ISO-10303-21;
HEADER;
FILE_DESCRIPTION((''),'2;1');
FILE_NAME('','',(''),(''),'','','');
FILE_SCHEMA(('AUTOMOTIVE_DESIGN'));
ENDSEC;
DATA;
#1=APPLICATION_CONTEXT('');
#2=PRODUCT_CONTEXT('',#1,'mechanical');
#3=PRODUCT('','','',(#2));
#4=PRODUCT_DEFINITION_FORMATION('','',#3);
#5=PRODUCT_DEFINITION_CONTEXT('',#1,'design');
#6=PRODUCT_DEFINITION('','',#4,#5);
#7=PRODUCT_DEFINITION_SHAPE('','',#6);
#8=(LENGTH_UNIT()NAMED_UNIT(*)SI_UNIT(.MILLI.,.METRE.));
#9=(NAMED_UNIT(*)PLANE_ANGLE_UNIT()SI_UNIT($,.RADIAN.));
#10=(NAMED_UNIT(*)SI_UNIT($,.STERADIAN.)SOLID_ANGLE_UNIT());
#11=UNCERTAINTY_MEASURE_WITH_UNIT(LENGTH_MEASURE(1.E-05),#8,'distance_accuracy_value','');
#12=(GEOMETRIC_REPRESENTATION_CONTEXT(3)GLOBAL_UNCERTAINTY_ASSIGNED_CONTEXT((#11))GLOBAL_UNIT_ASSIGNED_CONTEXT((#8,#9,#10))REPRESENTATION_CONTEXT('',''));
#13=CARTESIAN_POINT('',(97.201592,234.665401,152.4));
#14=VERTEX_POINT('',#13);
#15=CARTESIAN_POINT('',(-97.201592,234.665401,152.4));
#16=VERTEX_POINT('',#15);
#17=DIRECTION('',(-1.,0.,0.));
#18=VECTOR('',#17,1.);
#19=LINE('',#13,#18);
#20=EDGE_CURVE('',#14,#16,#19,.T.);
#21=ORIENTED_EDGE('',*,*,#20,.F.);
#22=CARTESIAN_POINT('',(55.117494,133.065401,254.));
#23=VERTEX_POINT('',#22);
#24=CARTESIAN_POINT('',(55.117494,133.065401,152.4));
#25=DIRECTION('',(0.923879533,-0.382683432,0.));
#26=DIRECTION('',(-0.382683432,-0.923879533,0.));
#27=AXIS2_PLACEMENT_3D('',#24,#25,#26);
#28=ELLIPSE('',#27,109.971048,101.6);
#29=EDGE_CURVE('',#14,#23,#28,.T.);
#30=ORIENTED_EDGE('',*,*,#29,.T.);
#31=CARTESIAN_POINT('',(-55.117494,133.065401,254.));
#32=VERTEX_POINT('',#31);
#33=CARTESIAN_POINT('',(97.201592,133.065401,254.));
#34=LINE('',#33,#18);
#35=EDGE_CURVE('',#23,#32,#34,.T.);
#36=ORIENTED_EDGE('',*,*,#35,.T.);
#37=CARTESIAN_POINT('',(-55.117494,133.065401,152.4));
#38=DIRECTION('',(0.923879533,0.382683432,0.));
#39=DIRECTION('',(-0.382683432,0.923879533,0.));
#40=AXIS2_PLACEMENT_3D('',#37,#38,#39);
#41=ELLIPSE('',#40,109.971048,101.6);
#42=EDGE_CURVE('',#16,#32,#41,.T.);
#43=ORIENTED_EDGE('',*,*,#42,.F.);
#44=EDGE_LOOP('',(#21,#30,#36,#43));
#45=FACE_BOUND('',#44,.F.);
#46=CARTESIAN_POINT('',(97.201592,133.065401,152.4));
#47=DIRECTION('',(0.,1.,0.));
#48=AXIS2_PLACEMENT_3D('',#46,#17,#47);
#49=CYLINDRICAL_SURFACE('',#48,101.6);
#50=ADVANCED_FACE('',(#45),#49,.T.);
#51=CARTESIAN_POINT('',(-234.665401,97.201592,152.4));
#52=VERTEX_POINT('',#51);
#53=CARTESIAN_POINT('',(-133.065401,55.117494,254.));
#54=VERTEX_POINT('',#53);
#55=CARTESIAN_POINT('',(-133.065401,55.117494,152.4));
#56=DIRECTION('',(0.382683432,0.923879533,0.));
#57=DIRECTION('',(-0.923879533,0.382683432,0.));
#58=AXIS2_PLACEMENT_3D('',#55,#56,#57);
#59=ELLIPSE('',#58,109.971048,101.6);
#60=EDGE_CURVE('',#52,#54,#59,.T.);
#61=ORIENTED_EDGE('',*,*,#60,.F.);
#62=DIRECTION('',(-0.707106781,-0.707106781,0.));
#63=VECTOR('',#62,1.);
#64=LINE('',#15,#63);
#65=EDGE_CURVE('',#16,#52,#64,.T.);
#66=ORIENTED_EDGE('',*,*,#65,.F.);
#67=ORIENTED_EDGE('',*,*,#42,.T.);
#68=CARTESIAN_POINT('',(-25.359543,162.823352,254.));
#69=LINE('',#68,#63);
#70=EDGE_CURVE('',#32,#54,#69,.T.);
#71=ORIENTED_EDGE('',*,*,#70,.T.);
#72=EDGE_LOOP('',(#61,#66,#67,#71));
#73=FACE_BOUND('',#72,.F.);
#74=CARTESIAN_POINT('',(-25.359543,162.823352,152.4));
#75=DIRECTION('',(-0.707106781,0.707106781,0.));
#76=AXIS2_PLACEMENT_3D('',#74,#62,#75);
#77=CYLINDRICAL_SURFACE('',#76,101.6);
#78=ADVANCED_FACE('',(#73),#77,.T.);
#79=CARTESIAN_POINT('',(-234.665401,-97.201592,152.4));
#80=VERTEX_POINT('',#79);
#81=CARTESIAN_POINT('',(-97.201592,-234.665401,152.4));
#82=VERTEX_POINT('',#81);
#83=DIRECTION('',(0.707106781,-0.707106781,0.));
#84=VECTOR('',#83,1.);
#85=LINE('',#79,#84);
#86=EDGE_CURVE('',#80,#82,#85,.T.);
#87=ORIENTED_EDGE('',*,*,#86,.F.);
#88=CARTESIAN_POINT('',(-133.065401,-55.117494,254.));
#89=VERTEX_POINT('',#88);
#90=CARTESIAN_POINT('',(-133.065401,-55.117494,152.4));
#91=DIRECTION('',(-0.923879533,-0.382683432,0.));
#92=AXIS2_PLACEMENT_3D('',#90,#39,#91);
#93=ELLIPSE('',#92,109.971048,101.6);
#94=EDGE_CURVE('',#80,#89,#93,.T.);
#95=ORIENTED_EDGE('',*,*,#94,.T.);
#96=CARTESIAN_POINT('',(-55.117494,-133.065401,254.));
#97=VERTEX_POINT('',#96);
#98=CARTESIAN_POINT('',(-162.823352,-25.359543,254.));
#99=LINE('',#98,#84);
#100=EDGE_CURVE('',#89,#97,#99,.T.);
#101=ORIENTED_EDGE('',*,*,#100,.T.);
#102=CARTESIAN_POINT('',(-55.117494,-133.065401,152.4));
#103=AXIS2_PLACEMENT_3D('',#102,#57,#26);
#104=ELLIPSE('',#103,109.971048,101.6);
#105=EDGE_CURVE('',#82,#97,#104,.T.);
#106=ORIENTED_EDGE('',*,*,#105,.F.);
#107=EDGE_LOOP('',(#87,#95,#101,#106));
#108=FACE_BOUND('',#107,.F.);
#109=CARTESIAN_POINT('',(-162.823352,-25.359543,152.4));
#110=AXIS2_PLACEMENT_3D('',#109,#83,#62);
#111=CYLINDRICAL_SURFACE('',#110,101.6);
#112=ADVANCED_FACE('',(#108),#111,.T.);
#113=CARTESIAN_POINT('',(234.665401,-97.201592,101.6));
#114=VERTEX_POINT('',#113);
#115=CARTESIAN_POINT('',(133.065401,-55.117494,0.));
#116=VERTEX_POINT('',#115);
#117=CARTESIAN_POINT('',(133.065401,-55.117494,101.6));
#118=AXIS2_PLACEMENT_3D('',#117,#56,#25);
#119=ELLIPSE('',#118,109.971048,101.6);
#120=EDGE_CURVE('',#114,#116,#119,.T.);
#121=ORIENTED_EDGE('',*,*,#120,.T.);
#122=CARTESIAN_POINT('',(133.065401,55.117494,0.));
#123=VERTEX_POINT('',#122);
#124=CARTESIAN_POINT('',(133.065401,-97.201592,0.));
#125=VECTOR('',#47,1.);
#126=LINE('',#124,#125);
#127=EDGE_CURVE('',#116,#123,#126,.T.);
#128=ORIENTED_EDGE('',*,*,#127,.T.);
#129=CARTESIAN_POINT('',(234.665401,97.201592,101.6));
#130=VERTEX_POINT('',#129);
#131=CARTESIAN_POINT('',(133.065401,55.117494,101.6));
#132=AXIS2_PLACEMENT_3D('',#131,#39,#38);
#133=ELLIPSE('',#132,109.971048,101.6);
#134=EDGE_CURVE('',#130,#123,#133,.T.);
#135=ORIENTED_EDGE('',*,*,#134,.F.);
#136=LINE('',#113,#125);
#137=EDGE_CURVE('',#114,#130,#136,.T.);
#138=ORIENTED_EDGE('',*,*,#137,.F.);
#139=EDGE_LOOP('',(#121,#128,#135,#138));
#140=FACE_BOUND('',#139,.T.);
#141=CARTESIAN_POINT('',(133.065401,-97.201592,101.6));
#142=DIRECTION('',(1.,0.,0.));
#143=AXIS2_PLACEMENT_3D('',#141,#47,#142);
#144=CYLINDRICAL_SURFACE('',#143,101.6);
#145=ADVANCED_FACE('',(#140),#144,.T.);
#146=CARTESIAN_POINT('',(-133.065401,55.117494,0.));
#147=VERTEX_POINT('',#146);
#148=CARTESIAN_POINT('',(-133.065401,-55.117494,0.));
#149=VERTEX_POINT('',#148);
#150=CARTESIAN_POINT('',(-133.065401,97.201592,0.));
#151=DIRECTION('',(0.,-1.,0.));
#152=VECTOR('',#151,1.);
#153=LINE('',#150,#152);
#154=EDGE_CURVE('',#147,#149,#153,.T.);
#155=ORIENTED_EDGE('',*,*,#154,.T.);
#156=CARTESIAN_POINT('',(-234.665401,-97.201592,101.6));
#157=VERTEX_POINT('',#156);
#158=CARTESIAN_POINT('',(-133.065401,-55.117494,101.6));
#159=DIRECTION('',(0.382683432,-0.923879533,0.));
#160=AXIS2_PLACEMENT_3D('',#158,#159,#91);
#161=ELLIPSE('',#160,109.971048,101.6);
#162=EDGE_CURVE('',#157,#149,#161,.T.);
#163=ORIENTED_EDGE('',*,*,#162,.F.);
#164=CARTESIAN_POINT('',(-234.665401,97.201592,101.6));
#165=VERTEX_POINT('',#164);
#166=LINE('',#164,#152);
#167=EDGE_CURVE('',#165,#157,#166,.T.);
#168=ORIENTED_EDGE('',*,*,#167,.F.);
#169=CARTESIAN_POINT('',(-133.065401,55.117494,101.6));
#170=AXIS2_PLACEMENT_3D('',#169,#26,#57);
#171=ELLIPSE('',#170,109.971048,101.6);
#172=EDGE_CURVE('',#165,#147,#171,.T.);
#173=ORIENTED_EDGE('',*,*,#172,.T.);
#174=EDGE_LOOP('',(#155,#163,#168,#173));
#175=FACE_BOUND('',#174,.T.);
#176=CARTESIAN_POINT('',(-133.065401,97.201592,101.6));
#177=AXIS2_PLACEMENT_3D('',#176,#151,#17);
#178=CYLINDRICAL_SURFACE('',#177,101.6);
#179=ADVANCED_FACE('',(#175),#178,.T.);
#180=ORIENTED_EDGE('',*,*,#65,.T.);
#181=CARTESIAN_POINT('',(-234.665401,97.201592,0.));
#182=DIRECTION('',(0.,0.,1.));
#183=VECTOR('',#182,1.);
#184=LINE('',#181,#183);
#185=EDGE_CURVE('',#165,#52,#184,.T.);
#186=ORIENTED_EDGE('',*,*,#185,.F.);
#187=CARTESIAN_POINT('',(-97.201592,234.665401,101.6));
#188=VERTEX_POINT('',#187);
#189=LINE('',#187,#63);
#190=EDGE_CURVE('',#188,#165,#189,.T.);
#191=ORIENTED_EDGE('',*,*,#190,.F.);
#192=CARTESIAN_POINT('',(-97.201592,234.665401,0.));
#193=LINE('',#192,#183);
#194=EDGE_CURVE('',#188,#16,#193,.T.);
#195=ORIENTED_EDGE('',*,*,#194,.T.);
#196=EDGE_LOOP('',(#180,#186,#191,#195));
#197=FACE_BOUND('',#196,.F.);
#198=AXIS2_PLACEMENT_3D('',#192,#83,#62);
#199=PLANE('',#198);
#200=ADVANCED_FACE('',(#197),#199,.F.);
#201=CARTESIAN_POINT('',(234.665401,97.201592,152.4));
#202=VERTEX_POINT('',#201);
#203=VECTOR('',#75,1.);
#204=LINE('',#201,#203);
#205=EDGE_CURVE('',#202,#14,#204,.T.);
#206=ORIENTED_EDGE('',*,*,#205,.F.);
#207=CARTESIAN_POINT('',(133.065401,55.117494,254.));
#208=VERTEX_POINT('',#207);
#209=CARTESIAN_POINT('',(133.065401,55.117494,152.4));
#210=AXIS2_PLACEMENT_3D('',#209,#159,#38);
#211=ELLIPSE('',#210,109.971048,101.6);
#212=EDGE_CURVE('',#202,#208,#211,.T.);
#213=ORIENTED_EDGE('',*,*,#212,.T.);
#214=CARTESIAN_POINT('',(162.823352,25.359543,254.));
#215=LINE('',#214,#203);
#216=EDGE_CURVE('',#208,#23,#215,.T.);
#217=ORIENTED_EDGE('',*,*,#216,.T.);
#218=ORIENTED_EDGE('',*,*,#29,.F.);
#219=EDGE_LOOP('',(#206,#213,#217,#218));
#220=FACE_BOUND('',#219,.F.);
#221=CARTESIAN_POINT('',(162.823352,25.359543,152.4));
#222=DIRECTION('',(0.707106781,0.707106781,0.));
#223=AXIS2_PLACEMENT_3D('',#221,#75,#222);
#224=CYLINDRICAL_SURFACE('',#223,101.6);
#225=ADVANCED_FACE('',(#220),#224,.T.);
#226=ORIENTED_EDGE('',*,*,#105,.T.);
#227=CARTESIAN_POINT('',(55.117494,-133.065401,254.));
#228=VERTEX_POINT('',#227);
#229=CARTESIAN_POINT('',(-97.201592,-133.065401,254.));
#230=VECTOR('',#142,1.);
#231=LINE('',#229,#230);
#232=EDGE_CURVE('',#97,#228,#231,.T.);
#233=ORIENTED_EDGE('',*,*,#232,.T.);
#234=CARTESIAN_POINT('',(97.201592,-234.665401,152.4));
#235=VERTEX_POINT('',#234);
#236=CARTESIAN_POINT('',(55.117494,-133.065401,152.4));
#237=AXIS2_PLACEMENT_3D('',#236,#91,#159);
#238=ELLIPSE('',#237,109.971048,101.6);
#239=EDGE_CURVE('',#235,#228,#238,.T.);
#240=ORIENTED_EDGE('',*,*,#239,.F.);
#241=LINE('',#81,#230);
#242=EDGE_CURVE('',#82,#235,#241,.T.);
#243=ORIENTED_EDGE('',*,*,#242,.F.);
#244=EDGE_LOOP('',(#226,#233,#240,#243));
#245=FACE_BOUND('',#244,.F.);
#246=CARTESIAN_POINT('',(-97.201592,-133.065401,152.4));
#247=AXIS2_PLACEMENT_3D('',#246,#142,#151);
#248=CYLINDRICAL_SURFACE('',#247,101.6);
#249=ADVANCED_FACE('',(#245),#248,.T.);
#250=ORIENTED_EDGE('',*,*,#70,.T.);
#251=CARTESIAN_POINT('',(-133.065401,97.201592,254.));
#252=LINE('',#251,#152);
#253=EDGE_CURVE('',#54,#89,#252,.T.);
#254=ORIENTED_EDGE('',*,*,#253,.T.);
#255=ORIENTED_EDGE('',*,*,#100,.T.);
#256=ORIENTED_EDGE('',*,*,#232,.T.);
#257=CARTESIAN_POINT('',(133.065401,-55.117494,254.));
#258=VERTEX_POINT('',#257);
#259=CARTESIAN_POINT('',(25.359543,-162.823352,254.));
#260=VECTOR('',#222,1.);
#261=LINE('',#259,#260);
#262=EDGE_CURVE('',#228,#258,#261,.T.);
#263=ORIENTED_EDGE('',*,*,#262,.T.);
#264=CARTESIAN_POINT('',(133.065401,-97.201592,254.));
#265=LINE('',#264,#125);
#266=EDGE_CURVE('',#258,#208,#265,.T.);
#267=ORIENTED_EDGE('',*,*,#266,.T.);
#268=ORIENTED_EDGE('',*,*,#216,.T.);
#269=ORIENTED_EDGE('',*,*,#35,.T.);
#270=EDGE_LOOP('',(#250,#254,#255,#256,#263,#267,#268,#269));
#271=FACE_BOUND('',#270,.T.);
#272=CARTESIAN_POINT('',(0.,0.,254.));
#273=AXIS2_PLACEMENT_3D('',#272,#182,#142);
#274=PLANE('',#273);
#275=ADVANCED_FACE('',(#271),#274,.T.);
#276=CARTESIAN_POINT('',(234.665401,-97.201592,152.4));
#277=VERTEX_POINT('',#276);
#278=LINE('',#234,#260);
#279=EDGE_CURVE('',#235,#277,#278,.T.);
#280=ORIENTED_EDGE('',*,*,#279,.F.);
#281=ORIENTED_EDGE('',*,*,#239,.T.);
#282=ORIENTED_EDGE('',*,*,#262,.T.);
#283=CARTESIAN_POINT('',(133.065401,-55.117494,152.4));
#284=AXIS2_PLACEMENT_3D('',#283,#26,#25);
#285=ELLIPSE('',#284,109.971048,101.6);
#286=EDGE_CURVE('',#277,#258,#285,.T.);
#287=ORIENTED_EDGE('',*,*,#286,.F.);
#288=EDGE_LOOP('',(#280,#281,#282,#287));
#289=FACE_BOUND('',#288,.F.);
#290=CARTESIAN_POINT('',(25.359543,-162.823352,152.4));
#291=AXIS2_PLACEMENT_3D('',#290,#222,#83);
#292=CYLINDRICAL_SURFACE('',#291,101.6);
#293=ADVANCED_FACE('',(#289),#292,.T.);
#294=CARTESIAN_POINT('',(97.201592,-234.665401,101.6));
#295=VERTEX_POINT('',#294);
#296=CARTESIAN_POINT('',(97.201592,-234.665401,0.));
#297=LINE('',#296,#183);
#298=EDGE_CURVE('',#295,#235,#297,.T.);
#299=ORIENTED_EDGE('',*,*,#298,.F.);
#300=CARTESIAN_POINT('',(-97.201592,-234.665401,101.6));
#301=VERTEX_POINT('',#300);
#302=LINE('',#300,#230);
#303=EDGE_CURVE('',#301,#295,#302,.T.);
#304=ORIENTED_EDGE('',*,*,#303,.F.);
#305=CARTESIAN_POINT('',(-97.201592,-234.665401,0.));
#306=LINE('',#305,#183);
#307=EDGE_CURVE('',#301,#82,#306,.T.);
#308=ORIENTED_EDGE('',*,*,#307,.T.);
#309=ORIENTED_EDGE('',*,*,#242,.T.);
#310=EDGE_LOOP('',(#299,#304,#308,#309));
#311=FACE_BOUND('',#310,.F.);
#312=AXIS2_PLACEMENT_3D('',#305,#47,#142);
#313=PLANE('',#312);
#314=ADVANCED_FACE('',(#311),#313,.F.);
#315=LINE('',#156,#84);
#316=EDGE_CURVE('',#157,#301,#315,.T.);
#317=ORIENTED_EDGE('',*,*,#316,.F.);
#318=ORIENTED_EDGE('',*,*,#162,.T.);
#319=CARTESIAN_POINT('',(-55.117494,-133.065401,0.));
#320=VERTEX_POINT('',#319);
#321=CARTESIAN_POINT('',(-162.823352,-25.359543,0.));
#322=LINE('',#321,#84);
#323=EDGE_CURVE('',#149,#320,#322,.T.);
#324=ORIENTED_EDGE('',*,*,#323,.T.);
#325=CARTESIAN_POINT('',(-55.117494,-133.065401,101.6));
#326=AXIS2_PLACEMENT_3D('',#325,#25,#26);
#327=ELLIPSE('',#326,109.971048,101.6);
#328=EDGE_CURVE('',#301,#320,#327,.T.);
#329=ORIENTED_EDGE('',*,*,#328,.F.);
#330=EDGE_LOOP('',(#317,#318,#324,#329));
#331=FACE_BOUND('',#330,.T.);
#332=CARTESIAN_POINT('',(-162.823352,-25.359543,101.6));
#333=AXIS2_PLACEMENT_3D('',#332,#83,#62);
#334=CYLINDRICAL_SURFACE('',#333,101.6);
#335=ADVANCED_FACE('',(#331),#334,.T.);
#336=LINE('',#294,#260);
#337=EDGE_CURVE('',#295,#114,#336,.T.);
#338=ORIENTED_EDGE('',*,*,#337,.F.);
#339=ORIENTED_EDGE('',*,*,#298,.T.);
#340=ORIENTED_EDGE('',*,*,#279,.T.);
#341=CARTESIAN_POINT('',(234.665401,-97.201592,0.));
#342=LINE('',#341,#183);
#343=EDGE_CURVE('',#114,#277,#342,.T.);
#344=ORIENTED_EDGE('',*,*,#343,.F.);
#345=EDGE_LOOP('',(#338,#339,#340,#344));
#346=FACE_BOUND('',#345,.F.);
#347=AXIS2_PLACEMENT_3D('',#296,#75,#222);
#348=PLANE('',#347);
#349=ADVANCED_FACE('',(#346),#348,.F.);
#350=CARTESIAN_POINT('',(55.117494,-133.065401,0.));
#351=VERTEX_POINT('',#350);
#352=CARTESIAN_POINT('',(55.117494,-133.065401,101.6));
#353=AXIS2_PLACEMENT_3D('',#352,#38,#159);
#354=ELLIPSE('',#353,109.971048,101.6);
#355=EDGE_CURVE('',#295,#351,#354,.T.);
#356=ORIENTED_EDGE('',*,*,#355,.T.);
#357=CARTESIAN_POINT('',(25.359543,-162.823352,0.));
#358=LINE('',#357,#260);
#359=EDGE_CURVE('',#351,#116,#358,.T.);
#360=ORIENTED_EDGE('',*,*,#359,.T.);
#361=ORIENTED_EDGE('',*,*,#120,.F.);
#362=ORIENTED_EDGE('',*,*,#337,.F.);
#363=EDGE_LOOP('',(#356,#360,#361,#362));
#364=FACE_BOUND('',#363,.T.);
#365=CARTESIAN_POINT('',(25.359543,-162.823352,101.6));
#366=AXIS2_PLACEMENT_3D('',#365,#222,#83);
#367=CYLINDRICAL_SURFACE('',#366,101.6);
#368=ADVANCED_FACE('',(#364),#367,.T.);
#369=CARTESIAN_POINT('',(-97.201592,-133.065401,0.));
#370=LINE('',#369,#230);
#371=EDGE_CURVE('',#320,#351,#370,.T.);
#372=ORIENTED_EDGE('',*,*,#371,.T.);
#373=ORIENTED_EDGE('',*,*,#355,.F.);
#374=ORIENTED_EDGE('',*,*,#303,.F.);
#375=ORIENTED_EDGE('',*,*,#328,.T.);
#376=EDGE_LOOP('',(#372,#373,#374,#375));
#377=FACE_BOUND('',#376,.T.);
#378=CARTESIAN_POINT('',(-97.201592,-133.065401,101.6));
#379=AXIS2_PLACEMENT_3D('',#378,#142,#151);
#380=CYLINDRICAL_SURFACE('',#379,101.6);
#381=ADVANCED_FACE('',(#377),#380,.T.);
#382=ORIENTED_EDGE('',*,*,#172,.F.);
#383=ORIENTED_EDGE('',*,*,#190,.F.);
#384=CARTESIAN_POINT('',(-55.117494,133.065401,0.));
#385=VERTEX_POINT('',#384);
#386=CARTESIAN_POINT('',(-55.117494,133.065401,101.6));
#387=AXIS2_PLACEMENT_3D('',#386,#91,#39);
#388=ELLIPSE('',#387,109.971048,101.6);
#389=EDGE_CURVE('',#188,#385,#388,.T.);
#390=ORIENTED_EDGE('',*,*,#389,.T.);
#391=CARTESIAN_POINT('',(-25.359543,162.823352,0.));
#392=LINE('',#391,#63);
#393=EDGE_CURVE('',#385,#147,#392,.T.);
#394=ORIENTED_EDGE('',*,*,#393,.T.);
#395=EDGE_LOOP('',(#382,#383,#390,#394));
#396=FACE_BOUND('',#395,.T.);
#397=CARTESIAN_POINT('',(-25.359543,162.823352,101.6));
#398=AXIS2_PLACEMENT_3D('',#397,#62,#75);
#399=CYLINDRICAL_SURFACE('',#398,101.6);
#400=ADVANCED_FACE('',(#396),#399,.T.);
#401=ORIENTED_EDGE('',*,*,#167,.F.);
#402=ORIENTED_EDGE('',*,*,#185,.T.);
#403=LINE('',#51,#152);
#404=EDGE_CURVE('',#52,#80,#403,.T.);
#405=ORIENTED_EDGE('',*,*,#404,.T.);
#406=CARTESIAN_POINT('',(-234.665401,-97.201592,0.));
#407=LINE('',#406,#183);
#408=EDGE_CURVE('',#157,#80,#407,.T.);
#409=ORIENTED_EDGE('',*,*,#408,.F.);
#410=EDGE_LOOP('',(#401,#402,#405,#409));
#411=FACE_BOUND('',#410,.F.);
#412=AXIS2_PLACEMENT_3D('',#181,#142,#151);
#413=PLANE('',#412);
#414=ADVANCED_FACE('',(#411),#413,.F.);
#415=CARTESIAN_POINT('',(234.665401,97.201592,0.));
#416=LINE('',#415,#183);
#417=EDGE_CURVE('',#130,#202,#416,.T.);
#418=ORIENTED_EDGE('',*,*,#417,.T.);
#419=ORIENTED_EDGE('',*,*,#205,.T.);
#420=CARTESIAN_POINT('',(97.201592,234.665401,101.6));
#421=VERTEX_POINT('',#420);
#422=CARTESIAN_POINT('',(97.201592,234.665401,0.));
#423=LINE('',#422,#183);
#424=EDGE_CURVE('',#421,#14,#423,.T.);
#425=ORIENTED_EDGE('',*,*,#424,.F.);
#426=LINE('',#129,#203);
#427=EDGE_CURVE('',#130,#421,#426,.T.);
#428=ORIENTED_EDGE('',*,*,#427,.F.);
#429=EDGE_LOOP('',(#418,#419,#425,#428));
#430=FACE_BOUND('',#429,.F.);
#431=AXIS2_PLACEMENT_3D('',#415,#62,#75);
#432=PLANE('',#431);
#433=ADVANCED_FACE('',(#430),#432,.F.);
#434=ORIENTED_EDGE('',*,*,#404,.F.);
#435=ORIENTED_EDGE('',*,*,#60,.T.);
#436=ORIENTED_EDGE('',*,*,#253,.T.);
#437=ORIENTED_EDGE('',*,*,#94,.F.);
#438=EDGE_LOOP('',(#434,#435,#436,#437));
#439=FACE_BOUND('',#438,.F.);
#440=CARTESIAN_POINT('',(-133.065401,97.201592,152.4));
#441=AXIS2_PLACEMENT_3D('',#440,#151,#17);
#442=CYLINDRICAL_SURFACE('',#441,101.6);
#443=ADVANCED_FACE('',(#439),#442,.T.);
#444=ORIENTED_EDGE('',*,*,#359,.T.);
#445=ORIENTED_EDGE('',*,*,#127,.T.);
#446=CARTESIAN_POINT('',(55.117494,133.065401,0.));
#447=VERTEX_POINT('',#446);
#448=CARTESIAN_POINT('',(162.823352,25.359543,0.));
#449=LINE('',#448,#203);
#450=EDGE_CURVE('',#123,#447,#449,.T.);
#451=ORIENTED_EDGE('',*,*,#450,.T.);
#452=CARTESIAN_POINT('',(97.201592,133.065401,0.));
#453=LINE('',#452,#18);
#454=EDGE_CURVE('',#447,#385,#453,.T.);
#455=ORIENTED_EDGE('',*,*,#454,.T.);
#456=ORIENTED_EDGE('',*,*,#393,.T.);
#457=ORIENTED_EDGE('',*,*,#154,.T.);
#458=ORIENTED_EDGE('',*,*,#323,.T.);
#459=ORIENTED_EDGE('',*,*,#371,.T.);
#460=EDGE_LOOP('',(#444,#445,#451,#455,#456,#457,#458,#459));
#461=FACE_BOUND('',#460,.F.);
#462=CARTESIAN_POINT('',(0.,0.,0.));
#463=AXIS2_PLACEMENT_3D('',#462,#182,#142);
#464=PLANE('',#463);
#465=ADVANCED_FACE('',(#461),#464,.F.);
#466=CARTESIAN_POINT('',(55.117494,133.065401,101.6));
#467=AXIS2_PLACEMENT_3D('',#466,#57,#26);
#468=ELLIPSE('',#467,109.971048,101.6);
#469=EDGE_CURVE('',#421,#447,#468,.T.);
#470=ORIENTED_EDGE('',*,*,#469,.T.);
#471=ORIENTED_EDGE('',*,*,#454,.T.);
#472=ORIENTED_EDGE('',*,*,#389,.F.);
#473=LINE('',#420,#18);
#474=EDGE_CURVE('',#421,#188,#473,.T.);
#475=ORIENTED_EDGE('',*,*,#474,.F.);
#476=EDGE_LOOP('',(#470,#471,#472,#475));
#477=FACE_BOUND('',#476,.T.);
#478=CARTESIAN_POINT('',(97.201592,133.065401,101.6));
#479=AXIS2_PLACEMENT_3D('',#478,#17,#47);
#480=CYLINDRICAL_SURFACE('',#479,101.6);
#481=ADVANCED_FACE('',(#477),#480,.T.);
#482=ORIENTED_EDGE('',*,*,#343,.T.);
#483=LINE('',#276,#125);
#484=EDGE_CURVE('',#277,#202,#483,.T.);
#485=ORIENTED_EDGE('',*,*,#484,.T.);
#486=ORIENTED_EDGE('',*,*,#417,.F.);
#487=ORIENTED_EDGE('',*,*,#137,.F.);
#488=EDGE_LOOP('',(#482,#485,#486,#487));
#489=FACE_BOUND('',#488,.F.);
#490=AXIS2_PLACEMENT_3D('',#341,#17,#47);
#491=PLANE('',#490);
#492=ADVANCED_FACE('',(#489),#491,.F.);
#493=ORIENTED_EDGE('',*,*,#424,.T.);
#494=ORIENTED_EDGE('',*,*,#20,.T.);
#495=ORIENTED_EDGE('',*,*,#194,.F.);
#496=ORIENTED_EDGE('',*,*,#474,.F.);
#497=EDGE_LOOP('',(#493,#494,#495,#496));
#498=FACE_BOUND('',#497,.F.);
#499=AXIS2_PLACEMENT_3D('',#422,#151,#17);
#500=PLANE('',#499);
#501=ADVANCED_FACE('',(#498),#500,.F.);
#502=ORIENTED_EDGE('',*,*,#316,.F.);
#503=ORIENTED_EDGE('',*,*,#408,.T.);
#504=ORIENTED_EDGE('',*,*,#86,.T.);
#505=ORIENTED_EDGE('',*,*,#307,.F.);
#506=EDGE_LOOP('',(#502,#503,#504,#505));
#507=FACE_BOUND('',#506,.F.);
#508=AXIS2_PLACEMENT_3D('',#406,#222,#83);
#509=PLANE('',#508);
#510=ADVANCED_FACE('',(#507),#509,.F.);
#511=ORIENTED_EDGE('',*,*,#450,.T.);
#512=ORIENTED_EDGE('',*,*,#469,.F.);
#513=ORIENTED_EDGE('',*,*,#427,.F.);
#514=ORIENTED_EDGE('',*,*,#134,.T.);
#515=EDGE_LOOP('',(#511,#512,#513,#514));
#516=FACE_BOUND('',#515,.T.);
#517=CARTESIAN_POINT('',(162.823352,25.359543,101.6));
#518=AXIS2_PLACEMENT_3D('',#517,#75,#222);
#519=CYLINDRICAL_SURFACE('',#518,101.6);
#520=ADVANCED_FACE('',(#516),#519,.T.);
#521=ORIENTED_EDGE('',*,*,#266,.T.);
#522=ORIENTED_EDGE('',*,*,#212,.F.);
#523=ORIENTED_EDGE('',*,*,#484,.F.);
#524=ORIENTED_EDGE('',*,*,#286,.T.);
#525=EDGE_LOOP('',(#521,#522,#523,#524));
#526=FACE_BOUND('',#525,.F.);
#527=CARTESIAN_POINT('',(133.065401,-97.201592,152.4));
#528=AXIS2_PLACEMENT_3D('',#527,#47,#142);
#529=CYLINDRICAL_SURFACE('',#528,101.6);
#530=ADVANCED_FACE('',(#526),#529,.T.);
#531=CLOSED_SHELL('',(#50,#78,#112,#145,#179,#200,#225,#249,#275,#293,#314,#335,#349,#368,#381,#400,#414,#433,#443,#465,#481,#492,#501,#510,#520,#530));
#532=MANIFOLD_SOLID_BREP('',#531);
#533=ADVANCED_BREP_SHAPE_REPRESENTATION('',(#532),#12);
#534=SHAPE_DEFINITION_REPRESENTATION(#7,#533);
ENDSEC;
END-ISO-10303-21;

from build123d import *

# Parameters (mm, degrees)
F1_DEPTH = 254
F2_R     = 101.6


with BuildPart() as f1:
    # F0 (on Top) → F1 (new body)
    with BuildSketch(Plane.XY):
        Polygon((97.201592, 234.665401), (-97.201592, 234.665401), (-234.665401, 97.201592), (-234.665401, -97.201592), (-97.201592, -234.665401), (97.201592, -234.665401), (234.665401, -97.201592), (234.665401, 97.201592), align=None)
    extrude(amount=F1_DEPTH)

    # F2
    f2_edges = [f1.edges().sort_by_distance(p)[0] for p in [
        (0, 234.665401, 0),
        (-165.933497, 165.933497, 0),
        (-234.665401, 0, 0),
        (-165.933497, -165.933497, 0),
        (0, -234.665401, 0),
        (165.933497, -165.933497, 0),
        (234.665401, 0, 0),
        (165.933497, 165.933497, 0),
        (0, 234.665401, 254),
        (-165.933497, 165.933497, 254),
        (-234.665401, 0, 254),
        (-165.933497, -165.933497, 254),
        (0, -234.665401, 254),
        (165.933497, -165.933497, 254),
        (234.665401, 0, 254),
        (165.933497, 165.933497, 254),
    ]]
    fillet(f2_edges, radius=F2_R)


solid = f1.part
